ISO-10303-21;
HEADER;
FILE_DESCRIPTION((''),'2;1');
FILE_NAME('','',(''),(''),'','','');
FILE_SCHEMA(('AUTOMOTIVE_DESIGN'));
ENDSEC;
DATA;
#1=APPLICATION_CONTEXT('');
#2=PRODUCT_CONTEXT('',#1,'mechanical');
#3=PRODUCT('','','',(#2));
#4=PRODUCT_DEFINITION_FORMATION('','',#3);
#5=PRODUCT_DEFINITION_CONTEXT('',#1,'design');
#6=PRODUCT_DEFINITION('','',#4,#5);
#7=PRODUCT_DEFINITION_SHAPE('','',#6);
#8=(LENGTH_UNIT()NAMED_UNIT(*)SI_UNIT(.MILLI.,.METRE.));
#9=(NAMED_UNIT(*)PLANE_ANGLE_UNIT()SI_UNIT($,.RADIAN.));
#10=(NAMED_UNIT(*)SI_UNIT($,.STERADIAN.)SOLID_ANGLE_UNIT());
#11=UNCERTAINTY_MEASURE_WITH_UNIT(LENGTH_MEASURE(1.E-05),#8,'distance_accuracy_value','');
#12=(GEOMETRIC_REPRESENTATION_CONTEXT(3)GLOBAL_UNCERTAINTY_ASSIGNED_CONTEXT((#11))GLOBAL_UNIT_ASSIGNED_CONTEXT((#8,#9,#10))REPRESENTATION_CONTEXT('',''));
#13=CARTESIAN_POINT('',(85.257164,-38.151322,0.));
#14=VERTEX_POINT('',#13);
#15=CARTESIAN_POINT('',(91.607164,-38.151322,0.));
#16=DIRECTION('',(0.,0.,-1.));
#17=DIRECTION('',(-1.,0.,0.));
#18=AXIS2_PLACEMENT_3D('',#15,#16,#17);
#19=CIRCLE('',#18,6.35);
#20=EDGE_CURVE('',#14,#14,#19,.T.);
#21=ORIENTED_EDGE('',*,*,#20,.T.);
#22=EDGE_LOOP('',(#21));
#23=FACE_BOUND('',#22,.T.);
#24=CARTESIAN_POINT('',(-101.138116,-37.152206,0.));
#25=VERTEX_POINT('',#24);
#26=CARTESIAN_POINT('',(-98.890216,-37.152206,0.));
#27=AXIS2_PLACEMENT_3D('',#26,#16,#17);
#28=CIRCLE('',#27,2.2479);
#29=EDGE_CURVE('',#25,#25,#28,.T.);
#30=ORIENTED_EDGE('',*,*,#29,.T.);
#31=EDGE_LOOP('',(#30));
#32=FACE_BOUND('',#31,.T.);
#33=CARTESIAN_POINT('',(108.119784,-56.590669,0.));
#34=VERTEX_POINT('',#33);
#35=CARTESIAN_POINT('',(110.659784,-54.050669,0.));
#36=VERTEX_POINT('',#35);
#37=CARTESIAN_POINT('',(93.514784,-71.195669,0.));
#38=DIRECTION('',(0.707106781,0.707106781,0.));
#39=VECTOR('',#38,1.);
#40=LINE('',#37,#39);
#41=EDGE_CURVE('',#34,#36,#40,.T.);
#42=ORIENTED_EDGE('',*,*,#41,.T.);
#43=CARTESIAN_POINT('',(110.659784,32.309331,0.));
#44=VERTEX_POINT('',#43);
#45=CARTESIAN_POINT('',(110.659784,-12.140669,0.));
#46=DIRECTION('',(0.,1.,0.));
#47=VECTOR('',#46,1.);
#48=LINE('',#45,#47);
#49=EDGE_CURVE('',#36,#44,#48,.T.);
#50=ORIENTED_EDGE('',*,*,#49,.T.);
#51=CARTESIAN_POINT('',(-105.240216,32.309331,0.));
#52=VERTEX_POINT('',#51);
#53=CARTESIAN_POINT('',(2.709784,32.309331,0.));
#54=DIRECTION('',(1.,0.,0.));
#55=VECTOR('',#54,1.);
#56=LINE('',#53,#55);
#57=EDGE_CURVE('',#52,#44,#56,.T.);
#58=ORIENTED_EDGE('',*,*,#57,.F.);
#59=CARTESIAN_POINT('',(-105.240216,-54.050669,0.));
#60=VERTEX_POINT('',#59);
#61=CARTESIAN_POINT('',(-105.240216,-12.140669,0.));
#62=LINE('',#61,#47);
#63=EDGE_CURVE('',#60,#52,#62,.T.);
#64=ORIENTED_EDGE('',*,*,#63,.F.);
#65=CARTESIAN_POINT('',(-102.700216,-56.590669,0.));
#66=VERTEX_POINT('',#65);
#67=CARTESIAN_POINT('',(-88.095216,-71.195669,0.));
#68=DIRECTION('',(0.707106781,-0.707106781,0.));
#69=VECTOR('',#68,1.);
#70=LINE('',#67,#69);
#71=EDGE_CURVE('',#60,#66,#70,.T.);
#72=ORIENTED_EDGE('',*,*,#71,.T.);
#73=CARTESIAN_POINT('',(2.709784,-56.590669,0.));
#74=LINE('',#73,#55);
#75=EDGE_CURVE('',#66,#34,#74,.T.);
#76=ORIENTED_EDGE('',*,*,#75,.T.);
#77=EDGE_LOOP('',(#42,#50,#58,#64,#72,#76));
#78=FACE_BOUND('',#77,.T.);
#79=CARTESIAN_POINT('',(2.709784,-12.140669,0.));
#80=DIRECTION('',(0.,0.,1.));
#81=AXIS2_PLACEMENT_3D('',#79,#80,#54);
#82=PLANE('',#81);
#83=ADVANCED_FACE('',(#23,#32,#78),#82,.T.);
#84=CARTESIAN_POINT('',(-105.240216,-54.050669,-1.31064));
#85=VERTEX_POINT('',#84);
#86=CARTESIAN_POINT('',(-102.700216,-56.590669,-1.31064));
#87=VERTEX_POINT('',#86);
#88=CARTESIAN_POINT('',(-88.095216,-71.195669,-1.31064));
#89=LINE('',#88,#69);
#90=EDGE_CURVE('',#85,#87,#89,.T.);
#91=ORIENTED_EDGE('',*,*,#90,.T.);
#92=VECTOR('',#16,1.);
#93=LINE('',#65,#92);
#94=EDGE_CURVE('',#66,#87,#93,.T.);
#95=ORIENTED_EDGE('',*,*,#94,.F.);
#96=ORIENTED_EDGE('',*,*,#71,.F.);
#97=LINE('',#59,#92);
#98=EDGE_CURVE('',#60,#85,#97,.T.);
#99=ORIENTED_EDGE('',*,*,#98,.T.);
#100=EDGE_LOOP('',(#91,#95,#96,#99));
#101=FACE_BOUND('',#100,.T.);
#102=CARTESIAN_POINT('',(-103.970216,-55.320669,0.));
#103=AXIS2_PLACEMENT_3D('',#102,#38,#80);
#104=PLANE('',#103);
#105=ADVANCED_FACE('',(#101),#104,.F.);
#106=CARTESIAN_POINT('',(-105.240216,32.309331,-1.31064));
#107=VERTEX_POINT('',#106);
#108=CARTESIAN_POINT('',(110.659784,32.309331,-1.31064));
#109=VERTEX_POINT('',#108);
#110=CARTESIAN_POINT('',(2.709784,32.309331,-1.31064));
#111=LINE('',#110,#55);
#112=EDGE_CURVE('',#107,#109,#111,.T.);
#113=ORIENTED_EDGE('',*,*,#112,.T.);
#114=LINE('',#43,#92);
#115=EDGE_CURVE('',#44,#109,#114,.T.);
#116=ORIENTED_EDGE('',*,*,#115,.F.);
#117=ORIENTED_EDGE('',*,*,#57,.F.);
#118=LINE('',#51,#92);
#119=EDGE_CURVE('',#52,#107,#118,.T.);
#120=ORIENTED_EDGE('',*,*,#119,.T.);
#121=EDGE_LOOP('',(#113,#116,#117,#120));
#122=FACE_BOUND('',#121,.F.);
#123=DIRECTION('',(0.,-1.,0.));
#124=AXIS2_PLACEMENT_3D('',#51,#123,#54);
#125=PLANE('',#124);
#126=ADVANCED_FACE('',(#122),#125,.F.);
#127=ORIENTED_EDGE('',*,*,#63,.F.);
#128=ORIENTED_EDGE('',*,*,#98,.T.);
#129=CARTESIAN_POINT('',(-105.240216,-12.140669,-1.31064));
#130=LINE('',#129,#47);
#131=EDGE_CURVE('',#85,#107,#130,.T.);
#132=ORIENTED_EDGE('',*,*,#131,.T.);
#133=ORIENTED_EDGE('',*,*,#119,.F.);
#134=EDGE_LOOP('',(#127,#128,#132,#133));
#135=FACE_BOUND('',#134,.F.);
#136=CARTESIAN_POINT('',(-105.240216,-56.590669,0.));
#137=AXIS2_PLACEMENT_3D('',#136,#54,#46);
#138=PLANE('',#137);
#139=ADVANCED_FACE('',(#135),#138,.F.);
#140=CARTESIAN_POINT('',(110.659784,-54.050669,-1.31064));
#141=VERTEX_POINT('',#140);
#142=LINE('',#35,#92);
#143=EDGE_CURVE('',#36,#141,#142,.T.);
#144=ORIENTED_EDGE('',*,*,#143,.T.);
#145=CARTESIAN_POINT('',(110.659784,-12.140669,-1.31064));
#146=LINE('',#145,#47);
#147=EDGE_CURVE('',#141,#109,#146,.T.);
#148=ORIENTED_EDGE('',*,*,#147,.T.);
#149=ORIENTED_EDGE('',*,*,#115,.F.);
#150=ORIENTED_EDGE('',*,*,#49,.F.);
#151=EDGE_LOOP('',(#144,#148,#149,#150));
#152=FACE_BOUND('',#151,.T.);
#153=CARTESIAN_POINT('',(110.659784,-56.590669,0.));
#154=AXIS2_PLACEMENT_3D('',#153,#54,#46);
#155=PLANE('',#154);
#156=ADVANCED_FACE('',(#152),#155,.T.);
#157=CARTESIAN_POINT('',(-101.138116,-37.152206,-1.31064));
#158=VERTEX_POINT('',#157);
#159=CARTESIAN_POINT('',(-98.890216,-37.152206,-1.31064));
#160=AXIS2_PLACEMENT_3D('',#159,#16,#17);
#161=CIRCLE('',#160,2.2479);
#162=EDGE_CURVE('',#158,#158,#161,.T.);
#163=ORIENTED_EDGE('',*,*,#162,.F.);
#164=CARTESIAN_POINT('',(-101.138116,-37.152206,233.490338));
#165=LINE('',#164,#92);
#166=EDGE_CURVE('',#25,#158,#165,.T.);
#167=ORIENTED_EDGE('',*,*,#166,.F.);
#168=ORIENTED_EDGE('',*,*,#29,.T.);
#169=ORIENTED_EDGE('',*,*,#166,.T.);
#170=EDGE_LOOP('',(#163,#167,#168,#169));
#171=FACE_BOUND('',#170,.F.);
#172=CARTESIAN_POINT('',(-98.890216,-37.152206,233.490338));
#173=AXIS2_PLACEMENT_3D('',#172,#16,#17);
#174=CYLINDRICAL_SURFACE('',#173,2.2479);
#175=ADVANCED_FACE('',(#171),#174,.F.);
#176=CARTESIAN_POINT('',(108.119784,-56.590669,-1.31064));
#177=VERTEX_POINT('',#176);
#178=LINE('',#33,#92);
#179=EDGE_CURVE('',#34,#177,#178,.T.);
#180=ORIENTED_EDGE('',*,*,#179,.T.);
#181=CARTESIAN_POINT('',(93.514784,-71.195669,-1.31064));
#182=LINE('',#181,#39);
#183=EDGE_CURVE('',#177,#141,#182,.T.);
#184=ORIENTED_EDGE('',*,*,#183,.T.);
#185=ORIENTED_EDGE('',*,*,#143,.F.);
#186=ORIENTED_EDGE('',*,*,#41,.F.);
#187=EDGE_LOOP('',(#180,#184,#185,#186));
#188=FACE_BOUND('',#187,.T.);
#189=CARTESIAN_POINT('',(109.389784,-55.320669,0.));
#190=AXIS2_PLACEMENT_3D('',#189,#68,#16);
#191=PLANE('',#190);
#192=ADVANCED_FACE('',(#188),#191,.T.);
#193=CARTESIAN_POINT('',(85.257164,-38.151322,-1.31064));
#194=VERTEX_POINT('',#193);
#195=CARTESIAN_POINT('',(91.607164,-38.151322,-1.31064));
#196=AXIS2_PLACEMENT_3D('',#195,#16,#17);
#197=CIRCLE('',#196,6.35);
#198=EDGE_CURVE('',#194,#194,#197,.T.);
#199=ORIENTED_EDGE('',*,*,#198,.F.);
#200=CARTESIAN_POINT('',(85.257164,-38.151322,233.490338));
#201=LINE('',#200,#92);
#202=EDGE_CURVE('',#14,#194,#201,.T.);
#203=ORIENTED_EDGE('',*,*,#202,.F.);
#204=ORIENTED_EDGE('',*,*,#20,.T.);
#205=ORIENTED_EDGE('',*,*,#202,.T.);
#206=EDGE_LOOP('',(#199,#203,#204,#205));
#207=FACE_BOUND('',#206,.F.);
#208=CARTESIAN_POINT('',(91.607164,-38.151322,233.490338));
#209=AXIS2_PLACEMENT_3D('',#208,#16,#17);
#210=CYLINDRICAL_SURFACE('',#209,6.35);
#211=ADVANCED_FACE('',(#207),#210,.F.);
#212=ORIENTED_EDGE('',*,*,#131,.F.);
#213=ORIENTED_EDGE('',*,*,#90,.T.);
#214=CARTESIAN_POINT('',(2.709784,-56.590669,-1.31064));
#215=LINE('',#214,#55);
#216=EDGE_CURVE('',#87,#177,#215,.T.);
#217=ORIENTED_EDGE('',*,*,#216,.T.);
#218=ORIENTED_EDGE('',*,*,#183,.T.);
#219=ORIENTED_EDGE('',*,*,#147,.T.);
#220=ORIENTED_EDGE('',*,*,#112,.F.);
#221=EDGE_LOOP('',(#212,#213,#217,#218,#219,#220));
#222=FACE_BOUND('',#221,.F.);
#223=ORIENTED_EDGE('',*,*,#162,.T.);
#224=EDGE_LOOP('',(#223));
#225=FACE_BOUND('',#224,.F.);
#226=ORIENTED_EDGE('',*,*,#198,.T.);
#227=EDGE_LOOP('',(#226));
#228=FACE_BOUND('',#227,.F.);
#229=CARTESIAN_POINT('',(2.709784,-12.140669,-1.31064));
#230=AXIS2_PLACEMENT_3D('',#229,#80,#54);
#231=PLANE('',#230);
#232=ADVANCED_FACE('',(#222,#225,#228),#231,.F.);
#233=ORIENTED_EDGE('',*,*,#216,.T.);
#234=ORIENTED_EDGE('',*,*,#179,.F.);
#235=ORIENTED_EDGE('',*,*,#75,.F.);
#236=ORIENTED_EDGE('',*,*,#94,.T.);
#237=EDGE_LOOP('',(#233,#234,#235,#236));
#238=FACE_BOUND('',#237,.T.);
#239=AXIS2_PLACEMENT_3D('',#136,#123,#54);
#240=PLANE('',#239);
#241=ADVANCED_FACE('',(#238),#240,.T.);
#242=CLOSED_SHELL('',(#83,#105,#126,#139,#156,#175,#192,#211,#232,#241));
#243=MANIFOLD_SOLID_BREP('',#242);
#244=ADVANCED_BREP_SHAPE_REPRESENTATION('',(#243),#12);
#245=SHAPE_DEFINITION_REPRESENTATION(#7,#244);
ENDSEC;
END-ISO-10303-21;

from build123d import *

# Parameters (mm, degrees)
F0_W     = 215.9
F0_H     = 88.9
F1_DEPTH = 1.31064
F2_SIZE  = 2.54
F3_SIZE  = 2.54
F5_D     = 4.4958
F6_D     = 12.7


with BuildPart() as f1:
    # F0 (on Top) → F1 (new body)
    with BuildSketch(Plane.XY):
        with Locations((2.709784, -12.140669)):
            Rectangle(F0_W, F0_H)
    extrude(amount=-F1_DEPTH)

    # F2
    f2_edges = [f1.edges().sort_by_distance(p)[0] for p in [
        (-105.240216, -56.590669, -0.65532),
    ]]
    chamfer(f2_edges, length=F2_SIZE)

    # F3
    f3_edges = [f1.edges().sort_by_distance(p)[0] for p in [
        (110.659784, -56.590669, -0.65532),
    ]]
    chamfer(f3_edges, length=F3_SIZE)

    # F5 (through all)
    with Locations(Plane.XY):
        with Locations((-98.890216, -37.152206)):
            Hole(F5_D / 2)

    # F6 (through all)
    with Locations(Plane.XY):
        with Locations((91.607164, -38.151322)):
            Hole(F6_D / 2)


solid = f1.part
